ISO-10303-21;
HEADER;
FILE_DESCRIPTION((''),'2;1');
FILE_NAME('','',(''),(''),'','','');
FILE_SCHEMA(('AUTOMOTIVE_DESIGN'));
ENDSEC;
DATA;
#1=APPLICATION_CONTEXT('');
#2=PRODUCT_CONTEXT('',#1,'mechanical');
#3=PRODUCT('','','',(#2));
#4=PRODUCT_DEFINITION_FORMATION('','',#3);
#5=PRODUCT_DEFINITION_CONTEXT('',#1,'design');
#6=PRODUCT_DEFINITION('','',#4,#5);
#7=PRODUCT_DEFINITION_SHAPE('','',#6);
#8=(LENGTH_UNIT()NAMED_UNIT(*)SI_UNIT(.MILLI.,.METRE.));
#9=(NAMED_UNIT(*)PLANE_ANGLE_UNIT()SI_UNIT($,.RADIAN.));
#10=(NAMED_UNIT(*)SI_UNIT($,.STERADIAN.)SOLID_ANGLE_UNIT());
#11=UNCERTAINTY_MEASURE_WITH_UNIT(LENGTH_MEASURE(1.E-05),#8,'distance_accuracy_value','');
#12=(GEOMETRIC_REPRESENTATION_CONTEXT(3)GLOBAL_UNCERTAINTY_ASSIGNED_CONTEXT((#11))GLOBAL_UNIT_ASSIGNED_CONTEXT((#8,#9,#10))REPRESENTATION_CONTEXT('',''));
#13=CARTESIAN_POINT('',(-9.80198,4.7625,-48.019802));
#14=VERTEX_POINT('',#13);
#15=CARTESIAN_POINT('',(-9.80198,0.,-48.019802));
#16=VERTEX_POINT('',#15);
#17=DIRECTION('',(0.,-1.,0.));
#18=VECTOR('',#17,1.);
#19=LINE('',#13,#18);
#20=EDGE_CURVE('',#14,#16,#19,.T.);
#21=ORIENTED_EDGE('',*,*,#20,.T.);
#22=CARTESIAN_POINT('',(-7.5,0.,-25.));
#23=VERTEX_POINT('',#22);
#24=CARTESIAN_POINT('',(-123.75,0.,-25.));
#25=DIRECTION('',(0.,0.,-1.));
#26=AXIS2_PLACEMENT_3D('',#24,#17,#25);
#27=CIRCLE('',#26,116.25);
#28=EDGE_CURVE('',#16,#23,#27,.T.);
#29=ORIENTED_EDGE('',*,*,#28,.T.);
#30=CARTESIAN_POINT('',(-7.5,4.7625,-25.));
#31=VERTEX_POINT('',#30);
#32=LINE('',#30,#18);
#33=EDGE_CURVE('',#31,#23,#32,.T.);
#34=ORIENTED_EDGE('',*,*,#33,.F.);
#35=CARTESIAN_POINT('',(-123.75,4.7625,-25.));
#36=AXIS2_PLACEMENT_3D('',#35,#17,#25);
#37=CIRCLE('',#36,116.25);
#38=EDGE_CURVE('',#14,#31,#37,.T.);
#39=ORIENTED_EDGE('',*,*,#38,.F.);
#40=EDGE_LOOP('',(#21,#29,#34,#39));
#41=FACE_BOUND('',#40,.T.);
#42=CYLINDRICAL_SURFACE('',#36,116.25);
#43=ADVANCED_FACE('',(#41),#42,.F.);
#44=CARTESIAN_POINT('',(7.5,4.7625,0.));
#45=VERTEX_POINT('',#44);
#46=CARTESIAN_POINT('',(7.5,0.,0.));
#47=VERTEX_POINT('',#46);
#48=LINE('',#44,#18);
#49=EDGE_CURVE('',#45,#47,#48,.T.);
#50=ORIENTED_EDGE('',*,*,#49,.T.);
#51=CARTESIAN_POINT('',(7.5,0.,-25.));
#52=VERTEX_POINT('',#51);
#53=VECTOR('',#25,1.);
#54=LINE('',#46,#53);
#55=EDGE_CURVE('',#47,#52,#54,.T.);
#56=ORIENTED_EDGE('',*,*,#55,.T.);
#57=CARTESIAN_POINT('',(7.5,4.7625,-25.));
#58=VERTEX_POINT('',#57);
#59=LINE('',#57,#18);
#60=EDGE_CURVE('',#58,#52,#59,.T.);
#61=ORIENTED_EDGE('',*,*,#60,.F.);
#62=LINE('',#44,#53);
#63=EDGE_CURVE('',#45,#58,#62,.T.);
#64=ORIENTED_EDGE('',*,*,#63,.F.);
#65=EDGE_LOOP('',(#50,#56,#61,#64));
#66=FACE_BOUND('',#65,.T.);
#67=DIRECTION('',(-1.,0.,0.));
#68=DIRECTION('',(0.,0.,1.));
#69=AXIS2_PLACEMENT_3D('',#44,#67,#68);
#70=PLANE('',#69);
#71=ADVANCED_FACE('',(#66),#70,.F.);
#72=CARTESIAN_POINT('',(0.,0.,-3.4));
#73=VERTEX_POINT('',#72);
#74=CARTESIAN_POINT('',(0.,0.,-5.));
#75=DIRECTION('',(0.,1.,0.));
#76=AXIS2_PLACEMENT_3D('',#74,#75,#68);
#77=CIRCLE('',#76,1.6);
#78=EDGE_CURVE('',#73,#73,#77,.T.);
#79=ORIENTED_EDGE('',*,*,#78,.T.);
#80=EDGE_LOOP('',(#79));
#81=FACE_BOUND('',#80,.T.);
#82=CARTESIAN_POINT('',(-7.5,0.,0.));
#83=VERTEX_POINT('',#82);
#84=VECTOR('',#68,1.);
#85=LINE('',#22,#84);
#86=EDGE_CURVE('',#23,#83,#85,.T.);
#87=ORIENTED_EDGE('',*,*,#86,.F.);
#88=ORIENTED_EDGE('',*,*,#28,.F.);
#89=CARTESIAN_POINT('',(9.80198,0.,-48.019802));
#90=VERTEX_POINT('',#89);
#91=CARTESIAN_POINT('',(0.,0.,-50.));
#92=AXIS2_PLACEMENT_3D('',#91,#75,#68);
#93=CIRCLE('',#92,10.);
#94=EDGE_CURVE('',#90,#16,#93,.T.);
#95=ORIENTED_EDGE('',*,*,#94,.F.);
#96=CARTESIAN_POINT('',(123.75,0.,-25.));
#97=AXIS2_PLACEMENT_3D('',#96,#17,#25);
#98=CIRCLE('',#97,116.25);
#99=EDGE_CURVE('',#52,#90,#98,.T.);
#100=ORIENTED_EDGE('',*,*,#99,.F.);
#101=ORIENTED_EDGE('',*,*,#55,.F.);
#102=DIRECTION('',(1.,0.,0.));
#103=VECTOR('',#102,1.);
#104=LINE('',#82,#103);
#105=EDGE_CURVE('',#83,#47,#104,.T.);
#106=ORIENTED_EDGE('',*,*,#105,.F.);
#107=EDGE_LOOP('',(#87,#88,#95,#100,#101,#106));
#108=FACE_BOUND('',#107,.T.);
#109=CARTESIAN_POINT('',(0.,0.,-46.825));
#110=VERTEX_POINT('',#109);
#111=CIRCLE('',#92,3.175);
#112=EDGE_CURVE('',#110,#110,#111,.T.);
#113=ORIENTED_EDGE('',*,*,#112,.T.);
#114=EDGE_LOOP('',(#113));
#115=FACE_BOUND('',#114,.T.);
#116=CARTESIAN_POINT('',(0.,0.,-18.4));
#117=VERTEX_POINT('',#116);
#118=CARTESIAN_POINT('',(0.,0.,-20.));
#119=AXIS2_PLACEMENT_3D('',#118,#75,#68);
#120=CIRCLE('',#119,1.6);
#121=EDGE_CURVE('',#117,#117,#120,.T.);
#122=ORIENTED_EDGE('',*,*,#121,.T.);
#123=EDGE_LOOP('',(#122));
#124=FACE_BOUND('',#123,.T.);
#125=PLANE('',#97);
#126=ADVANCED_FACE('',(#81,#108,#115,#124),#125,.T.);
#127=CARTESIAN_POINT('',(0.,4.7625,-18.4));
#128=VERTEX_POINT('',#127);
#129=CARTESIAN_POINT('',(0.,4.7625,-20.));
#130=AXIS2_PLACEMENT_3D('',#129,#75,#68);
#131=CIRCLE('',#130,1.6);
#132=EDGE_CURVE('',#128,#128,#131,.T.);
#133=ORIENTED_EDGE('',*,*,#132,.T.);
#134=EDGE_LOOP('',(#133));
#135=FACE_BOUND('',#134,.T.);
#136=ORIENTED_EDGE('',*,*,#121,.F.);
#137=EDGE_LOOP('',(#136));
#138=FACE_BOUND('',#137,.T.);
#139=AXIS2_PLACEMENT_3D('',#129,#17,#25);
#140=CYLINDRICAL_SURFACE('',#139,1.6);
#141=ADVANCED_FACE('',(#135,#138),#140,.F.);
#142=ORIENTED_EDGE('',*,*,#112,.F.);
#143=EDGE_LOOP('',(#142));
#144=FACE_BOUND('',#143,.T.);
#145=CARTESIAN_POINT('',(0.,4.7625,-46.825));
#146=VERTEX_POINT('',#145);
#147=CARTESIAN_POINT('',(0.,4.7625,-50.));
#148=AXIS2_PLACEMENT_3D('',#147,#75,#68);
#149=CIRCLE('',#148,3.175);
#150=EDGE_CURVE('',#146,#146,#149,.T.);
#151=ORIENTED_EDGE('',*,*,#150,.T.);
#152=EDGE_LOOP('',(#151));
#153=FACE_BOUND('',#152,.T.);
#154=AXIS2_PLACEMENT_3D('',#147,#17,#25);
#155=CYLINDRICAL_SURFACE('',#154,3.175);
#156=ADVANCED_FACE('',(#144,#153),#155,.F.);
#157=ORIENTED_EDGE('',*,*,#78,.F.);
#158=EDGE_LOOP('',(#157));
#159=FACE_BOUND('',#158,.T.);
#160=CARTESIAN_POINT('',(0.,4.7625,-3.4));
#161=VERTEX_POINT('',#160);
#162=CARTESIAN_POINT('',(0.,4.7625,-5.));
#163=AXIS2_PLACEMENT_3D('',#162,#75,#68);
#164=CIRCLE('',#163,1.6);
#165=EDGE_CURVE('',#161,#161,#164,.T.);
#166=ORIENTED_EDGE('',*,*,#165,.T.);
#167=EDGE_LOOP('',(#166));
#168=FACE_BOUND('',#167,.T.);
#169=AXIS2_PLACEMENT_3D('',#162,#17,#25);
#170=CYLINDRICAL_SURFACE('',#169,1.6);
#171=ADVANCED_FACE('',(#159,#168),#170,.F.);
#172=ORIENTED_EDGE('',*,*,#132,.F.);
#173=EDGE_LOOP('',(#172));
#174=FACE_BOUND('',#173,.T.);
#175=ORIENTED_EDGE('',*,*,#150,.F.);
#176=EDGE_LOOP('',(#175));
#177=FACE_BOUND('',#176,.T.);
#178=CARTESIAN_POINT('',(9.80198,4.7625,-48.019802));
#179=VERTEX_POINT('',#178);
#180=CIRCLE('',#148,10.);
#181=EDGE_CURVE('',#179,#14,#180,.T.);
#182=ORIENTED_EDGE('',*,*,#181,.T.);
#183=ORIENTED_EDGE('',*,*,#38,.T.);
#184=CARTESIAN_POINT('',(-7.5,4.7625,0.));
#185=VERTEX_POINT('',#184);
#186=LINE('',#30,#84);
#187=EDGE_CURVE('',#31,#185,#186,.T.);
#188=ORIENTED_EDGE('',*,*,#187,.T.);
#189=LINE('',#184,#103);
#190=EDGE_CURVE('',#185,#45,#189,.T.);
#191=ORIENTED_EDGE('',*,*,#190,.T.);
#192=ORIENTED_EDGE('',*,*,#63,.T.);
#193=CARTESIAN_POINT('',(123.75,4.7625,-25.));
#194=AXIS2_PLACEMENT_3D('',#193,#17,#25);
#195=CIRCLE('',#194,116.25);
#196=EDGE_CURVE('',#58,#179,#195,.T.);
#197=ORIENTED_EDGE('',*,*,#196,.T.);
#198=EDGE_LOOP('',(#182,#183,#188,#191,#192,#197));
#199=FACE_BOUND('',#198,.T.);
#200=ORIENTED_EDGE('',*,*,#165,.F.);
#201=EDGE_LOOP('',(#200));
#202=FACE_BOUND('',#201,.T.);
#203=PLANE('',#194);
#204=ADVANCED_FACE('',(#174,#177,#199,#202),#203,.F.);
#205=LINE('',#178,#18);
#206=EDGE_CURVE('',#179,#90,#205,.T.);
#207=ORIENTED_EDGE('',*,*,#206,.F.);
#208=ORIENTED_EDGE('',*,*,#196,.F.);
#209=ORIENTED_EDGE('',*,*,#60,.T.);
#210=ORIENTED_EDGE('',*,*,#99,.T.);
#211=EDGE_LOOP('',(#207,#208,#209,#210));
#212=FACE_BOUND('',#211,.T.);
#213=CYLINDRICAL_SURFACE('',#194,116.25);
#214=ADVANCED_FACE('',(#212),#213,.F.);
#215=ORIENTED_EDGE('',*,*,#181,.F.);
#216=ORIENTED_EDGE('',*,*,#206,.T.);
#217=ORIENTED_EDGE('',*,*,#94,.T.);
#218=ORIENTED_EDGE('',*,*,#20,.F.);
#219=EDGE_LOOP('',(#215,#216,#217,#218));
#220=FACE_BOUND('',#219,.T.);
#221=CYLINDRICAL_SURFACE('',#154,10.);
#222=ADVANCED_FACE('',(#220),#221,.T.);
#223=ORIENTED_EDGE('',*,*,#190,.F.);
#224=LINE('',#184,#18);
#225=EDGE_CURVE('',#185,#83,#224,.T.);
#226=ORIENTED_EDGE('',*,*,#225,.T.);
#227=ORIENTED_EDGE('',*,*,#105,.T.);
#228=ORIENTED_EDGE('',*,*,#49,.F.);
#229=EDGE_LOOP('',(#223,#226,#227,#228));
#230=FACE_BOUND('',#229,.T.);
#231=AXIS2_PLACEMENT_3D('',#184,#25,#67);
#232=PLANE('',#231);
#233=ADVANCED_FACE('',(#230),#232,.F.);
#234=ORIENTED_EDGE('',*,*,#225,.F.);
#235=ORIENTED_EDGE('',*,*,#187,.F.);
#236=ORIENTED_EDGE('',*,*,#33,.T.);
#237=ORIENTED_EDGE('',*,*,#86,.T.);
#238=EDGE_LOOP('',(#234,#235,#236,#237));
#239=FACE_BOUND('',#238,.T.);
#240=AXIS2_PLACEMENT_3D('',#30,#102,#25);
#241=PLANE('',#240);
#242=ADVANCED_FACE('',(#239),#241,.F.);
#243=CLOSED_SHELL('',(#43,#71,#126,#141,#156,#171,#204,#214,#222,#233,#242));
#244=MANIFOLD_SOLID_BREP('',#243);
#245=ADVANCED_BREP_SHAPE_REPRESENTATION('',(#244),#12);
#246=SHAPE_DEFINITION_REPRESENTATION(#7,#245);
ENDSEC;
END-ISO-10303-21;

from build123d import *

# Parameters (mm, degrees)
SKETCH1_R           = 3.175
SKETCH1_R_2         = 1.6
BOSS_EXTRUDE1_DEPTH = 4.7625


with BuildPart() as part:
    # Sketch1 → Boss-Extrude1 (new body)
    with BuildSketch(Plane(origin=(0, 0, 0), x_dir=(1, 0, 0), z_dir=(0, 1, 0))):
        with BuildLine():
            Line((-7.5, 0), (7.5, 0))
            Line((7.5, 0), (7.5, 25))
            ThreePointArc((7.5, 25), (8.076926638, 36.567307336), (9.801980198, 48.01980198))
            ThreePointArc((9.801980198, 48.01980198), (0, 60), (-9.801980198, 48.01980198))
            ThreePointArc((-9.801980198, 48.01980198), (-8.076926638, 36.567307336), (-7.5, 25))
            Line((-7.5, 25), (-7.5, 0))
        make_face()
        with Locations((0, 50)):
            Circle(SKETCH1_R, mode=Mode.SUBTRACT)
        with Locations((0, 5)):
            Circle(SKETCH1_R_2, mode=Mode.SUBTRACT)
        with Locations((0, 20)):
            Circle(SKETCH1_R_2, mode=Mode.SUBTRACT)
    extrude(amount=BOSS_EXTRUDE1_DEPTH)


solid = part.part
